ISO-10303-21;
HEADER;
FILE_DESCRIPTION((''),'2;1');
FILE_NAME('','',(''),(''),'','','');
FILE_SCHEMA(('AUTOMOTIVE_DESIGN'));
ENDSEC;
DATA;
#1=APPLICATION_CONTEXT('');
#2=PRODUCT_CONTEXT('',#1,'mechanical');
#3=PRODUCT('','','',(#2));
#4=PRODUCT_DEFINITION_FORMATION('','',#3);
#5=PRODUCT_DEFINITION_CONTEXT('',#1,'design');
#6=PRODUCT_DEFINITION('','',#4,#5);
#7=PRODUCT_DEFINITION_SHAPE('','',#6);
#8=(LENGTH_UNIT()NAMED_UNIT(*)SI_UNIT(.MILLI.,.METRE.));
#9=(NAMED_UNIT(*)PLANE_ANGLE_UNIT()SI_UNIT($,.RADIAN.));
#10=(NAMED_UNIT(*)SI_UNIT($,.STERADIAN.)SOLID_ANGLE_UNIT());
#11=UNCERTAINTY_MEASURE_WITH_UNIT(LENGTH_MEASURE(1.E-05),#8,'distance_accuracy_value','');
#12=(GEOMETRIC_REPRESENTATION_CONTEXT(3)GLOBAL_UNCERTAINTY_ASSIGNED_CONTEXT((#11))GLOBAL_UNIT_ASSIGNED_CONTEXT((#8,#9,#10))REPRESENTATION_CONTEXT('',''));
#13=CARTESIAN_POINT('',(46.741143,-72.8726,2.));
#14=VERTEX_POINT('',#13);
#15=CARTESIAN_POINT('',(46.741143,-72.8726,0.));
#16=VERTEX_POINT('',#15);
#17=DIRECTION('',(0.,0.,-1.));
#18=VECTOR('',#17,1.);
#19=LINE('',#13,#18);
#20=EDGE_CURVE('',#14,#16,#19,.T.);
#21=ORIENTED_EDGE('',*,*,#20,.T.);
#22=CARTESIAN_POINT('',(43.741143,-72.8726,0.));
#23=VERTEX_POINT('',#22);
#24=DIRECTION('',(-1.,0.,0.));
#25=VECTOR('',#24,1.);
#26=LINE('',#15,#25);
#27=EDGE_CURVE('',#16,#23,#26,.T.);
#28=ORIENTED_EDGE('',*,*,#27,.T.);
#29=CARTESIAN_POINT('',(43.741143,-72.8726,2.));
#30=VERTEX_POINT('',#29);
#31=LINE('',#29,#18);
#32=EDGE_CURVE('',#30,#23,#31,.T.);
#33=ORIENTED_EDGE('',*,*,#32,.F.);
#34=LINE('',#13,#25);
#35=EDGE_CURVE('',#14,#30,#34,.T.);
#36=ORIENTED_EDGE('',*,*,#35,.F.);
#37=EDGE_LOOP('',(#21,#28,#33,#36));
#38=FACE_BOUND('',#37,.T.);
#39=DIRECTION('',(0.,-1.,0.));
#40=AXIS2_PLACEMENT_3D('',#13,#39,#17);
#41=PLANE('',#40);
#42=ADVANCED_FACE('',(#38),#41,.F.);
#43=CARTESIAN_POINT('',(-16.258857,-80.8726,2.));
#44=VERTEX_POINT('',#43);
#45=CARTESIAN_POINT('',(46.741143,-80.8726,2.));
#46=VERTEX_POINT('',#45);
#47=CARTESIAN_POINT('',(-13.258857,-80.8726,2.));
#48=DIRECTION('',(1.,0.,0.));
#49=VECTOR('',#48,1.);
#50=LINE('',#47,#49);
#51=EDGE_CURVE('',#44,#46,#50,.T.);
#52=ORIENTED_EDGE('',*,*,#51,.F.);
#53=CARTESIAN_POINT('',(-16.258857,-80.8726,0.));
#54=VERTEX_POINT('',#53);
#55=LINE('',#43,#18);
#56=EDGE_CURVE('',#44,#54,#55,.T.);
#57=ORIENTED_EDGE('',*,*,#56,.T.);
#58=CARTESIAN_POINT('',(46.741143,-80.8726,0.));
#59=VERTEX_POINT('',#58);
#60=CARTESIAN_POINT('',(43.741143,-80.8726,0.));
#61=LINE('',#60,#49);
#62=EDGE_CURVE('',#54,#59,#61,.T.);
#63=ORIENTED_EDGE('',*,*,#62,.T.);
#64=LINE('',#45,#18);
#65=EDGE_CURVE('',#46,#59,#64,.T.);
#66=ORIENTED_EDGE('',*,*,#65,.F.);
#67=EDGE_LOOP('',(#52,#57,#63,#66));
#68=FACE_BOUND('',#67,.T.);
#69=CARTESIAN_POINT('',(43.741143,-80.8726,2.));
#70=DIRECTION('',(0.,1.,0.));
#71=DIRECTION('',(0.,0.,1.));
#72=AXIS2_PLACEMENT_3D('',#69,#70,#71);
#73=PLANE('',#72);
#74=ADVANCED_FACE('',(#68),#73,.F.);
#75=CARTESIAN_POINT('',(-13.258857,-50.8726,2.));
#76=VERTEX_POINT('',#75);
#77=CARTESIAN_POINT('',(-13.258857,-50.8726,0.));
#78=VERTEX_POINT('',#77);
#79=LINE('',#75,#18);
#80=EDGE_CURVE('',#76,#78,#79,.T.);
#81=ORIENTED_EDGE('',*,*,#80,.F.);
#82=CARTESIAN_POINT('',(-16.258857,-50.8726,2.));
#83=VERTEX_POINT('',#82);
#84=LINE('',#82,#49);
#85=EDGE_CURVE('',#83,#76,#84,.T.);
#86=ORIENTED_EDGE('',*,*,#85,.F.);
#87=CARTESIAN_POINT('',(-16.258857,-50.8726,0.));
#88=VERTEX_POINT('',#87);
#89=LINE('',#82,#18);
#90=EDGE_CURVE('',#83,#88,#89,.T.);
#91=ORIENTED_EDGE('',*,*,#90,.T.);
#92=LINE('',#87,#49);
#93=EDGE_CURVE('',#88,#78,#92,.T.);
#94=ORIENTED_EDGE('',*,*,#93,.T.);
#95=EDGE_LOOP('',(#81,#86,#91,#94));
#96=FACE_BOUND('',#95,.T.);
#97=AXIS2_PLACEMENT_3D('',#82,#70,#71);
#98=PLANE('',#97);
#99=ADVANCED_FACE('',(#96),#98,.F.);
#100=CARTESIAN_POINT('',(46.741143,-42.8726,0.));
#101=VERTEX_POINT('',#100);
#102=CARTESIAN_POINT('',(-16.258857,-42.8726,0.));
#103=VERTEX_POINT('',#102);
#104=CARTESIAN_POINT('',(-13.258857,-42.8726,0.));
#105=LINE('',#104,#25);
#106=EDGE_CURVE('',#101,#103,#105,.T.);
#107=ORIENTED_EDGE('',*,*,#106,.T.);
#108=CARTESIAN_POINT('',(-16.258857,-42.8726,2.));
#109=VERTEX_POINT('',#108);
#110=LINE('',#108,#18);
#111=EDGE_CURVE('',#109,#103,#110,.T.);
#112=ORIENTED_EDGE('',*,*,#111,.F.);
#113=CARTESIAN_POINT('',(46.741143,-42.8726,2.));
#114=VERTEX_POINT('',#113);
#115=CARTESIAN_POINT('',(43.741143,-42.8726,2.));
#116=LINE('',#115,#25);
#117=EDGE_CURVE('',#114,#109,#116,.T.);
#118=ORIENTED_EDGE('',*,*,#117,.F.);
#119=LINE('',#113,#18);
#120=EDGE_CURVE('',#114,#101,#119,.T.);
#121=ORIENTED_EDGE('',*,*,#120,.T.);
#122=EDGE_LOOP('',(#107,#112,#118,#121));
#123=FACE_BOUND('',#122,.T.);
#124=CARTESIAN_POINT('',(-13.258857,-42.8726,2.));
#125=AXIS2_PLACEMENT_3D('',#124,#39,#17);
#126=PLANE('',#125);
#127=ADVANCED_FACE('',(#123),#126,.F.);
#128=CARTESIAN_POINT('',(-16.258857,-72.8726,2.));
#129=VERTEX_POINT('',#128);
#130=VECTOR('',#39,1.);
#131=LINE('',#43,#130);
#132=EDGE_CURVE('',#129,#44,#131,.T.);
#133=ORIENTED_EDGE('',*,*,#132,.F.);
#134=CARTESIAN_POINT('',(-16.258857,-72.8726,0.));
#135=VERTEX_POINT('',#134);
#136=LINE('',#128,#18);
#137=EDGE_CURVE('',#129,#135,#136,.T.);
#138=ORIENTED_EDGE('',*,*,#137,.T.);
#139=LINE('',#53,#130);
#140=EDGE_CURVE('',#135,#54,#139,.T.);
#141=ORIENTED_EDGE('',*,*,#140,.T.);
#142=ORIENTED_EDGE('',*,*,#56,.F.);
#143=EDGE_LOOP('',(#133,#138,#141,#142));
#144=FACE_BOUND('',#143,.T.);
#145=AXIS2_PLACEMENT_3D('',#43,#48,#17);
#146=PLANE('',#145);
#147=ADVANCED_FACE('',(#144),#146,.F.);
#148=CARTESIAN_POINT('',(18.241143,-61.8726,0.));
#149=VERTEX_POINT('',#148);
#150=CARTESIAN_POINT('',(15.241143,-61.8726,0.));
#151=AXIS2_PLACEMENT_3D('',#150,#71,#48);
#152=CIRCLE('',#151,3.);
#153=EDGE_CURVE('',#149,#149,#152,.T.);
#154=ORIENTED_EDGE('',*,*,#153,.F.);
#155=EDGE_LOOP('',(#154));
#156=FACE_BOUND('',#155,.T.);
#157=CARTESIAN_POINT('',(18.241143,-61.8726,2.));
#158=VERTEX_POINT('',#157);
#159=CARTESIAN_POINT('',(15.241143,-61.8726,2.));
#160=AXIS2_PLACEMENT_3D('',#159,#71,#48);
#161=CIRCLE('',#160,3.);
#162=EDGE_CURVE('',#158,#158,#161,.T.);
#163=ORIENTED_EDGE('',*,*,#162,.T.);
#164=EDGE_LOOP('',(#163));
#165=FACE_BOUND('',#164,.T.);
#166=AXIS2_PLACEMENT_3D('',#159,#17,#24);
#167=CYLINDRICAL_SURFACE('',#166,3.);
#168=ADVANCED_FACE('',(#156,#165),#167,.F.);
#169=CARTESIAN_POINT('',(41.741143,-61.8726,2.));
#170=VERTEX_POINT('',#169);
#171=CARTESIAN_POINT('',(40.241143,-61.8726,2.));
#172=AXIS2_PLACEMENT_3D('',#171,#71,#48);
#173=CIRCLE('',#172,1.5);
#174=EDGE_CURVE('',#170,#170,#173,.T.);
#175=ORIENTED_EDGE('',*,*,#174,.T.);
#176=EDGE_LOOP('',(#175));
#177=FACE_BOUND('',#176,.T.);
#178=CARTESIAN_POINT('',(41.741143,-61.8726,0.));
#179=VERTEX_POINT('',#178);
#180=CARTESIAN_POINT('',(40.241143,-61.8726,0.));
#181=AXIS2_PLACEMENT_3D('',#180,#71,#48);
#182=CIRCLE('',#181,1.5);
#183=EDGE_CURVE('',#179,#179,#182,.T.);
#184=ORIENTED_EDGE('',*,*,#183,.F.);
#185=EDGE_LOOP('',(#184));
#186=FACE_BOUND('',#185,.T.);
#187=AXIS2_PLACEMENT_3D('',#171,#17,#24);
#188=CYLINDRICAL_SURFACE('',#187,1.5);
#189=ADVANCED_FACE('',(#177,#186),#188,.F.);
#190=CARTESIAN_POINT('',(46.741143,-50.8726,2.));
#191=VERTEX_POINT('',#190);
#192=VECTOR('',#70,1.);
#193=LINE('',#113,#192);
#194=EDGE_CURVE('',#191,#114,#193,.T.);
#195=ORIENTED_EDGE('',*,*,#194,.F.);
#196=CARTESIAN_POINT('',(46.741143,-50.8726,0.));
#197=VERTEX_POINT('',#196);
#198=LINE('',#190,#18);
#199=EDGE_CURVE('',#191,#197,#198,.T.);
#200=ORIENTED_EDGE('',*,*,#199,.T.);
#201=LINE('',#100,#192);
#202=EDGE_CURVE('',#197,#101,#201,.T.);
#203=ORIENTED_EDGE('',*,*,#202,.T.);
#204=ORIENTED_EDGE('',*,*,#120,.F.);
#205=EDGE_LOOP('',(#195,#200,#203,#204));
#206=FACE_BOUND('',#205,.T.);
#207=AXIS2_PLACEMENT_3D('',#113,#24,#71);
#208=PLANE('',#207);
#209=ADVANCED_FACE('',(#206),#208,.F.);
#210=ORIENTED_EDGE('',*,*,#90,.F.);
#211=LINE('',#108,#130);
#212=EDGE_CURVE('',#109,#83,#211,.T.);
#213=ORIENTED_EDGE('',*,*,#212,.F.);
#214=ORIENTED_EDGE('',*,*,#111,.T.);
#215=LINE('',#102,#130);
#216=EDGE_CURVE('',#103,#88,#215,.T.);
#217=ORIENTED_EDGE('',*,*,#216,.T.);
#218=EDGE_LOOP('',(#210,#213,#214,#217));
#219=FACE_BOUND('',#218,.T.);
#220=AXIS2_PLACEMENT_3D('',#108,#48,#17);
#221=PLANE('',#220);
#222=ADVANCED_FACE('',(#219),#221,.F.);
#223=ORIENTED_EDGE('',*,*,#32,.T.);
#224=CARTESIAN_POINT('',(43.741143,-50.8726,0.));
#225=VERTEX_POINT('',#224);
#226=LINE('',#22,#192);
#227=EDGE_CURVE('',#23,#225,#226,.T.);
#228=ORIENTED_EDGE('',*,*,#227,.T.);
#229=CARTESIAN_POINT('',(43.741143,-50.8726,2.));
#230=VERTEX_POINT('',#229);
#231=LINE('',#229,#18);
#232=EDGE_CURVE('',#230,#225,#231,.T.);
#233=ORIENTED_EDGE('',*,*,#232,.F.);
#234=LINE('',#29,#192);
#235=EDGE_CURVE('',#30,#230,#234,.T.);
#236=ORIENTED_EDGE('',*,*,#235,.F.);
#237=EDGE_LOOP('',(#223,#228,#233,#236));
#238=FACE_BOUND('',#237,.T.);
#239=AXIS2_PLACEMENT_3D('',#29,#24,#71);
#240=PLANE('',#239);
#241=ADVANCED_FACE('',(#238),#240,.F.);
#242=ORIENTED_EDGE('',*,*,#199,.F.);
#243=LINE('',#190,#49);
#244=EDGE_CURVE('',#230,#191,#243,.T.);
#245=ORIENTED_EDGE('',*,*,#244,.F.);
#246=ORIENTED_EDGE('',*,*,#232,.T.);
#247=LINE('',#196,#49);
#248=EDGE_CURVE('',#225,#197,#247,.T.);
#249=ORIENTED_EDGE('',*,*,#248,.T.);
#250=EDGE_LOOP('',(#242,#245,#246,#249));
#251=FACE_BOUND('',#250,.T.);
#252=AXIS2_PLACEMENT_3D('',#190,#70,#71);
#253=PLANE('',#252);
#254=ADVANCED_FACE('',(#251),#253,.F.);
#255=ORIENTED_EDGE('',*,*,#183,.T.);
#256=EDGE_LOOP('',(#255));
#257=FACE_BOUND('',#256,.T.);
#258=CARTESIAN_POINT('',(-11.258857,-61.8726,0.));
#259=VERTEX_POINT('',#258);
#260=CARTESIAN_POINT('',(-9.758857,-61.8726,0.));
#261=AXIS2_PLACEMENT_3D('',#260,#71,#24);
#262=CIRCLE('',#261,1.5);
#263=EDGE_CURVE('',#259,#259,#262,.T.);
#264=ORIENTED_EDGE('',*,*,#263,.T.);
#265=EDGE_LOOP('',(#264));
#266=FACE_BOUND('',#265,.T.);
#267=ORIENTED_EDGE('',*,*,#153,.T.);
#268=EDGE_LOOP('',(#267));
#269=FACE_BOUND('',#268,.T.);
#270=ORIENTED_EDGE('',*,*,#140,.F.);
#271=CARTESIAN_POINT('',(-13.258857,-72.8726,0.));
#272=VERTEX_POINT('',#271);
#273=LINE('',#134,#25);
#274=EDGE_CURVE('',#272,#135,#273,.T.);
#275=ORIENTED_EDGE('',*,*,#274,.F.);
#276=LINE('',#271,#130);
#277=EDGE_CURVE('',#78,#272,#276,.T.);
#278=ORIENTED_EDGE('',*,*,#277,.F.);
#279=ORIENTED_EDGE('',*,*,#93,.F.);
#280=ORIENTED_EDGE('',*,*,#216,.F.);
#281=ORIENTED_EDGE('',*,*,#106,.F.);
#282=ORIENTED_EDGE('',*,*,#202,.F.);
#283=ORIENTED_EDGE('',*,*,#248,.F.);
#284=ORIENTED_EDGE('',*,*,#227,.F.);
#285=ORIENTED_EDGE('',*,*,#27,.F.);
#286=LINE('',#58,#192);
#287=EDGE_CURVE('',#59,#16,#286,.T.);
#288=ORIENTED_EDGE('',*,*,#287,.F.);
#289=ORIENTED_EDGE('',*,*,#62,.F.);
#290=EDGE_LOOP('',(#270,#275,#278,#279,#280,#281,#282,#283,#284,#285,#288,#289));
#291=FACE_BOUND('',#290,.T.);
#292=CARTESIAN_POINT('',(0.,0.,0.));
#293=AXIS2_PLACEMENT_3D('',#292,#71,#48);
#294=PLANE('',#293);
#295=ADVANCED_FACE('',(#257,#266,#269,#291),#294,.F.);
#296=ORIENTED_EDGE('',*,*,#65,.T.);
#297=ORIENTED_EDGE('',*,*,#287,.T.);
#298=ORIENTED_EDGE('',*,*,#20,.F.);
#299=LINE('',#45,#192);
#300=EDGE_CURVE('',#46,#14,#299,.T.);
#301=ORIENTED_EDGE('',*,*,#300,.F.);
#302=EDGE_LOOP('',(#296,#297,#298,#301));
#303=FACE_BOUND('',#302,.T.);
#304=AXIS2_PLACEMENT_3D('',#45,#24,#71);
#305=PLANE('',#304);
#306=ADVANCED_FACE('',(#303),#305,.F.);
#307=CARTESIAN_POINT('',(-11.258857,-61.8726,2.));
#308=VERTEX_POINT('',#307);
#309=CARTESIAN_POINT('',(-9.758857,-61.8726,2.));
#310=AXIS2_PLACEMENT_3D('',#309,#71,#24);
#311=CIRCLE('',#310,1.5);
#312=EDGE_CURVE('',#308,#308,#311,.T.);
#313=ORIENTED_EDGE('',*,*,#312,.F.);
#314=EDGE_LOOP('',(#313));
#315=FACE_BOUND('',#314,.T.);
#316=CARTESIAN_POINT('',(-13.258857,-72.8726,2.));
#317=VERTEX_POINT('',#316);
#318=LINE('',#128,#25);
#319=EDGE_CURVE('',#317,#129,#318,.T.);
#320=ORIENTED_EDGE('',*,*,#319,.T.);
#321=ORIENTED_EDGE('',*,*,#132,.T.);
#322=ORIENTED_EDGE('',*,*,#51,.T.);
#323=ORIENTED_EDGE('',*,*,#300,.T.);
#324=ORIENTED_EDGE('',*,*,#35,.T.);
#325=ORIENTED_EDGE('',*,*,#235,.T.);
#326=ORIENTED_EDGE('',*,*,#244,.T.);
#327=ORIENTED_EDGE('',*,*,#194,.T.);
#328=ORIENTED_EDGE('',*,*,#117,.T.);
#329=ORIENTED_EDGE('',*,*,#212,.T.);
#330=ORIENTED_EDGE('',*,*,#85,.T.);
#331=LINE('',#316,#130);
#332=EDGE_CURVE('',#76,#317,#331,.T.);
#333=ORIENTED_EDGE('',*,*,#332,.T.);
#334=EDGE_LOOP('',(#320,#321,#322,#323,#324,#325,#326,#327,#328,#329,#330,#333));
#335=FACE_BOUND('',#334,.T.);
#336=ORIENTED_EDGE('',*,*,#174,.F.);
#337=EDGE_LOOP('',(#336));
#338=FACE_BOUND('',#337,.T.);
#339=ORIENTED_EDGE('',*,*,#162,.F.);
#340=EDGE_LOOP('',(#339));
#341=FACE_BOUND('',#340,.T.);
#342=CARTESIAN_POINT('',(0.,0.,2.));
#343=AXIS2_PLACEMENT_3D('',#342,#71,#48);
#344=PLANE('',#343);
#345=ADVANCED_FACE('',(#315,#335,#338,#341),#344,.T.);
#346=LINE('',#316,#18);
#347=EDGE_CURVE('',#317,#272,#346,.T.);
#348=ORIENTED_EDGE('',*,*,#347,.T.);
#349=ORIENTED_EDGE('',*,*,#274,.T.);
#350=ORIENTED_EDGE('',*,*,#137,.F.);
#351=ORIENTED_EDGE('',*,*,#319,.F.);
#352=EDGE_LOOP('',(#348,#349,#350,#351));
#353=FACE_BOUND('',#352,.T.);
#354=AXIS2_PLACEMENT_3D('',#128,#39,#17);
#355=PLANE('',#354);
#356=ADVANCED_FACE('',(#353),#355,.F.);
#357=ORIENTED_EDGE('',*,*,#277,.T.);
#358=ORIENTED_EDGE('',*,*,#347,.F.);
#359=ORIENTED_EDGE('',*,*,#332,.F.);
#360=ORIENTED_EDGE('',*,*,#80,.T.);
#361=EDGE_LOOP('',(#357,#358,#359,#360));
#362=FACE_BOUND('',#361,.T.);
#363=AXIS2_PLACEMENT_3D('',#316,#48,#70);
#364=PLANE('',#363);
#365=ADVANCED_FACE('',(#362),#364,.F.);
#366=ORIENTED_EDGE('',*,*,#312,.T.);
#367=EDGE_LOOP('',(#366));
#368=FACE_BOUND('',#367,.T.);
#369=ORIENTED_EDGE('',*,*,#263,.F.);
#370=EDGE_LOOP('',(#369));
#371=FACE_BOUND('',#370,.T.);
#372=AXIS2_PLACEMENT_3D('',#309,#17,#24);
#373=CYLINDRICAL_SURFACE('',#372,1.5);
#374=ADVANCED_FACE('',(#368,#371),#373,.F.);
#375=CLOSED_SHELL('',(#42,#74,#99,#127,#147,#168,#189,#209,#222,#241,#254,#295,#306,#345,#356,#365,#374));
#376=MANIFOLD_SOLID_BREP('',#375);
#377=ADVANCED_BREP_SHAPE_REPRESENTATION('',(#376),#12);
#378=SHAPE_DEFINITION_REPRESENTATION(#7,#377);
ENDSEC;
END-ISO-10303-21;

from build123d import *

# Parameters (mm, degrees)
SKETCH_1_R      = 3
SKETCH_1_R_2    = 1.5
EXTRUDE_1_DEPTH = 2


with BuildPart() as part:
    # 草图1 → 凸台-拉伸1 (new body)
    with BuildSketch(Plane.XY):
        Polygon((-13.258857042, -42.872599913), (-16.258857042, -42.872599913), (-16.258857042, -50.872599913), (-13.258857042, -50.872599913), (-13.258857042, -72.872599913), (-16.258857042, -72.872599913), (-16.258857042, -80.872599913), (-13.258857042, -80.872599913), (43.741142958, -80.872599913), (46.741142958, -80.872599913), (46.741142958, -72.872599913), (43.741142958, -72.872599913), (43.741142958, -50.872599913), (46.741142958, -50.872599913), (46.741142958, -42.872599913), (43.741142958, -42.872599913), (15.241142958, -42.872599913), align=None)
        with Locations((15.241142958, -61.872599913)):
            Circle(SKETCH_1_R, mode=Mode.SUBTRACT)
        with Locations((40.241142958, -61.872599913)):
            Circle(SKETCH_1_R_2, mode=Mode.SUBTRACT)
        with Locations(Location((-9.758857042, -61.872599913, 0), (0, 0, 180))):
            Circle(SKETCH_1_R_2, mode=Mode.SUBTRACT)
    extrude(amount=EXTRUDE_1_DEPTH)


solid = part.part
